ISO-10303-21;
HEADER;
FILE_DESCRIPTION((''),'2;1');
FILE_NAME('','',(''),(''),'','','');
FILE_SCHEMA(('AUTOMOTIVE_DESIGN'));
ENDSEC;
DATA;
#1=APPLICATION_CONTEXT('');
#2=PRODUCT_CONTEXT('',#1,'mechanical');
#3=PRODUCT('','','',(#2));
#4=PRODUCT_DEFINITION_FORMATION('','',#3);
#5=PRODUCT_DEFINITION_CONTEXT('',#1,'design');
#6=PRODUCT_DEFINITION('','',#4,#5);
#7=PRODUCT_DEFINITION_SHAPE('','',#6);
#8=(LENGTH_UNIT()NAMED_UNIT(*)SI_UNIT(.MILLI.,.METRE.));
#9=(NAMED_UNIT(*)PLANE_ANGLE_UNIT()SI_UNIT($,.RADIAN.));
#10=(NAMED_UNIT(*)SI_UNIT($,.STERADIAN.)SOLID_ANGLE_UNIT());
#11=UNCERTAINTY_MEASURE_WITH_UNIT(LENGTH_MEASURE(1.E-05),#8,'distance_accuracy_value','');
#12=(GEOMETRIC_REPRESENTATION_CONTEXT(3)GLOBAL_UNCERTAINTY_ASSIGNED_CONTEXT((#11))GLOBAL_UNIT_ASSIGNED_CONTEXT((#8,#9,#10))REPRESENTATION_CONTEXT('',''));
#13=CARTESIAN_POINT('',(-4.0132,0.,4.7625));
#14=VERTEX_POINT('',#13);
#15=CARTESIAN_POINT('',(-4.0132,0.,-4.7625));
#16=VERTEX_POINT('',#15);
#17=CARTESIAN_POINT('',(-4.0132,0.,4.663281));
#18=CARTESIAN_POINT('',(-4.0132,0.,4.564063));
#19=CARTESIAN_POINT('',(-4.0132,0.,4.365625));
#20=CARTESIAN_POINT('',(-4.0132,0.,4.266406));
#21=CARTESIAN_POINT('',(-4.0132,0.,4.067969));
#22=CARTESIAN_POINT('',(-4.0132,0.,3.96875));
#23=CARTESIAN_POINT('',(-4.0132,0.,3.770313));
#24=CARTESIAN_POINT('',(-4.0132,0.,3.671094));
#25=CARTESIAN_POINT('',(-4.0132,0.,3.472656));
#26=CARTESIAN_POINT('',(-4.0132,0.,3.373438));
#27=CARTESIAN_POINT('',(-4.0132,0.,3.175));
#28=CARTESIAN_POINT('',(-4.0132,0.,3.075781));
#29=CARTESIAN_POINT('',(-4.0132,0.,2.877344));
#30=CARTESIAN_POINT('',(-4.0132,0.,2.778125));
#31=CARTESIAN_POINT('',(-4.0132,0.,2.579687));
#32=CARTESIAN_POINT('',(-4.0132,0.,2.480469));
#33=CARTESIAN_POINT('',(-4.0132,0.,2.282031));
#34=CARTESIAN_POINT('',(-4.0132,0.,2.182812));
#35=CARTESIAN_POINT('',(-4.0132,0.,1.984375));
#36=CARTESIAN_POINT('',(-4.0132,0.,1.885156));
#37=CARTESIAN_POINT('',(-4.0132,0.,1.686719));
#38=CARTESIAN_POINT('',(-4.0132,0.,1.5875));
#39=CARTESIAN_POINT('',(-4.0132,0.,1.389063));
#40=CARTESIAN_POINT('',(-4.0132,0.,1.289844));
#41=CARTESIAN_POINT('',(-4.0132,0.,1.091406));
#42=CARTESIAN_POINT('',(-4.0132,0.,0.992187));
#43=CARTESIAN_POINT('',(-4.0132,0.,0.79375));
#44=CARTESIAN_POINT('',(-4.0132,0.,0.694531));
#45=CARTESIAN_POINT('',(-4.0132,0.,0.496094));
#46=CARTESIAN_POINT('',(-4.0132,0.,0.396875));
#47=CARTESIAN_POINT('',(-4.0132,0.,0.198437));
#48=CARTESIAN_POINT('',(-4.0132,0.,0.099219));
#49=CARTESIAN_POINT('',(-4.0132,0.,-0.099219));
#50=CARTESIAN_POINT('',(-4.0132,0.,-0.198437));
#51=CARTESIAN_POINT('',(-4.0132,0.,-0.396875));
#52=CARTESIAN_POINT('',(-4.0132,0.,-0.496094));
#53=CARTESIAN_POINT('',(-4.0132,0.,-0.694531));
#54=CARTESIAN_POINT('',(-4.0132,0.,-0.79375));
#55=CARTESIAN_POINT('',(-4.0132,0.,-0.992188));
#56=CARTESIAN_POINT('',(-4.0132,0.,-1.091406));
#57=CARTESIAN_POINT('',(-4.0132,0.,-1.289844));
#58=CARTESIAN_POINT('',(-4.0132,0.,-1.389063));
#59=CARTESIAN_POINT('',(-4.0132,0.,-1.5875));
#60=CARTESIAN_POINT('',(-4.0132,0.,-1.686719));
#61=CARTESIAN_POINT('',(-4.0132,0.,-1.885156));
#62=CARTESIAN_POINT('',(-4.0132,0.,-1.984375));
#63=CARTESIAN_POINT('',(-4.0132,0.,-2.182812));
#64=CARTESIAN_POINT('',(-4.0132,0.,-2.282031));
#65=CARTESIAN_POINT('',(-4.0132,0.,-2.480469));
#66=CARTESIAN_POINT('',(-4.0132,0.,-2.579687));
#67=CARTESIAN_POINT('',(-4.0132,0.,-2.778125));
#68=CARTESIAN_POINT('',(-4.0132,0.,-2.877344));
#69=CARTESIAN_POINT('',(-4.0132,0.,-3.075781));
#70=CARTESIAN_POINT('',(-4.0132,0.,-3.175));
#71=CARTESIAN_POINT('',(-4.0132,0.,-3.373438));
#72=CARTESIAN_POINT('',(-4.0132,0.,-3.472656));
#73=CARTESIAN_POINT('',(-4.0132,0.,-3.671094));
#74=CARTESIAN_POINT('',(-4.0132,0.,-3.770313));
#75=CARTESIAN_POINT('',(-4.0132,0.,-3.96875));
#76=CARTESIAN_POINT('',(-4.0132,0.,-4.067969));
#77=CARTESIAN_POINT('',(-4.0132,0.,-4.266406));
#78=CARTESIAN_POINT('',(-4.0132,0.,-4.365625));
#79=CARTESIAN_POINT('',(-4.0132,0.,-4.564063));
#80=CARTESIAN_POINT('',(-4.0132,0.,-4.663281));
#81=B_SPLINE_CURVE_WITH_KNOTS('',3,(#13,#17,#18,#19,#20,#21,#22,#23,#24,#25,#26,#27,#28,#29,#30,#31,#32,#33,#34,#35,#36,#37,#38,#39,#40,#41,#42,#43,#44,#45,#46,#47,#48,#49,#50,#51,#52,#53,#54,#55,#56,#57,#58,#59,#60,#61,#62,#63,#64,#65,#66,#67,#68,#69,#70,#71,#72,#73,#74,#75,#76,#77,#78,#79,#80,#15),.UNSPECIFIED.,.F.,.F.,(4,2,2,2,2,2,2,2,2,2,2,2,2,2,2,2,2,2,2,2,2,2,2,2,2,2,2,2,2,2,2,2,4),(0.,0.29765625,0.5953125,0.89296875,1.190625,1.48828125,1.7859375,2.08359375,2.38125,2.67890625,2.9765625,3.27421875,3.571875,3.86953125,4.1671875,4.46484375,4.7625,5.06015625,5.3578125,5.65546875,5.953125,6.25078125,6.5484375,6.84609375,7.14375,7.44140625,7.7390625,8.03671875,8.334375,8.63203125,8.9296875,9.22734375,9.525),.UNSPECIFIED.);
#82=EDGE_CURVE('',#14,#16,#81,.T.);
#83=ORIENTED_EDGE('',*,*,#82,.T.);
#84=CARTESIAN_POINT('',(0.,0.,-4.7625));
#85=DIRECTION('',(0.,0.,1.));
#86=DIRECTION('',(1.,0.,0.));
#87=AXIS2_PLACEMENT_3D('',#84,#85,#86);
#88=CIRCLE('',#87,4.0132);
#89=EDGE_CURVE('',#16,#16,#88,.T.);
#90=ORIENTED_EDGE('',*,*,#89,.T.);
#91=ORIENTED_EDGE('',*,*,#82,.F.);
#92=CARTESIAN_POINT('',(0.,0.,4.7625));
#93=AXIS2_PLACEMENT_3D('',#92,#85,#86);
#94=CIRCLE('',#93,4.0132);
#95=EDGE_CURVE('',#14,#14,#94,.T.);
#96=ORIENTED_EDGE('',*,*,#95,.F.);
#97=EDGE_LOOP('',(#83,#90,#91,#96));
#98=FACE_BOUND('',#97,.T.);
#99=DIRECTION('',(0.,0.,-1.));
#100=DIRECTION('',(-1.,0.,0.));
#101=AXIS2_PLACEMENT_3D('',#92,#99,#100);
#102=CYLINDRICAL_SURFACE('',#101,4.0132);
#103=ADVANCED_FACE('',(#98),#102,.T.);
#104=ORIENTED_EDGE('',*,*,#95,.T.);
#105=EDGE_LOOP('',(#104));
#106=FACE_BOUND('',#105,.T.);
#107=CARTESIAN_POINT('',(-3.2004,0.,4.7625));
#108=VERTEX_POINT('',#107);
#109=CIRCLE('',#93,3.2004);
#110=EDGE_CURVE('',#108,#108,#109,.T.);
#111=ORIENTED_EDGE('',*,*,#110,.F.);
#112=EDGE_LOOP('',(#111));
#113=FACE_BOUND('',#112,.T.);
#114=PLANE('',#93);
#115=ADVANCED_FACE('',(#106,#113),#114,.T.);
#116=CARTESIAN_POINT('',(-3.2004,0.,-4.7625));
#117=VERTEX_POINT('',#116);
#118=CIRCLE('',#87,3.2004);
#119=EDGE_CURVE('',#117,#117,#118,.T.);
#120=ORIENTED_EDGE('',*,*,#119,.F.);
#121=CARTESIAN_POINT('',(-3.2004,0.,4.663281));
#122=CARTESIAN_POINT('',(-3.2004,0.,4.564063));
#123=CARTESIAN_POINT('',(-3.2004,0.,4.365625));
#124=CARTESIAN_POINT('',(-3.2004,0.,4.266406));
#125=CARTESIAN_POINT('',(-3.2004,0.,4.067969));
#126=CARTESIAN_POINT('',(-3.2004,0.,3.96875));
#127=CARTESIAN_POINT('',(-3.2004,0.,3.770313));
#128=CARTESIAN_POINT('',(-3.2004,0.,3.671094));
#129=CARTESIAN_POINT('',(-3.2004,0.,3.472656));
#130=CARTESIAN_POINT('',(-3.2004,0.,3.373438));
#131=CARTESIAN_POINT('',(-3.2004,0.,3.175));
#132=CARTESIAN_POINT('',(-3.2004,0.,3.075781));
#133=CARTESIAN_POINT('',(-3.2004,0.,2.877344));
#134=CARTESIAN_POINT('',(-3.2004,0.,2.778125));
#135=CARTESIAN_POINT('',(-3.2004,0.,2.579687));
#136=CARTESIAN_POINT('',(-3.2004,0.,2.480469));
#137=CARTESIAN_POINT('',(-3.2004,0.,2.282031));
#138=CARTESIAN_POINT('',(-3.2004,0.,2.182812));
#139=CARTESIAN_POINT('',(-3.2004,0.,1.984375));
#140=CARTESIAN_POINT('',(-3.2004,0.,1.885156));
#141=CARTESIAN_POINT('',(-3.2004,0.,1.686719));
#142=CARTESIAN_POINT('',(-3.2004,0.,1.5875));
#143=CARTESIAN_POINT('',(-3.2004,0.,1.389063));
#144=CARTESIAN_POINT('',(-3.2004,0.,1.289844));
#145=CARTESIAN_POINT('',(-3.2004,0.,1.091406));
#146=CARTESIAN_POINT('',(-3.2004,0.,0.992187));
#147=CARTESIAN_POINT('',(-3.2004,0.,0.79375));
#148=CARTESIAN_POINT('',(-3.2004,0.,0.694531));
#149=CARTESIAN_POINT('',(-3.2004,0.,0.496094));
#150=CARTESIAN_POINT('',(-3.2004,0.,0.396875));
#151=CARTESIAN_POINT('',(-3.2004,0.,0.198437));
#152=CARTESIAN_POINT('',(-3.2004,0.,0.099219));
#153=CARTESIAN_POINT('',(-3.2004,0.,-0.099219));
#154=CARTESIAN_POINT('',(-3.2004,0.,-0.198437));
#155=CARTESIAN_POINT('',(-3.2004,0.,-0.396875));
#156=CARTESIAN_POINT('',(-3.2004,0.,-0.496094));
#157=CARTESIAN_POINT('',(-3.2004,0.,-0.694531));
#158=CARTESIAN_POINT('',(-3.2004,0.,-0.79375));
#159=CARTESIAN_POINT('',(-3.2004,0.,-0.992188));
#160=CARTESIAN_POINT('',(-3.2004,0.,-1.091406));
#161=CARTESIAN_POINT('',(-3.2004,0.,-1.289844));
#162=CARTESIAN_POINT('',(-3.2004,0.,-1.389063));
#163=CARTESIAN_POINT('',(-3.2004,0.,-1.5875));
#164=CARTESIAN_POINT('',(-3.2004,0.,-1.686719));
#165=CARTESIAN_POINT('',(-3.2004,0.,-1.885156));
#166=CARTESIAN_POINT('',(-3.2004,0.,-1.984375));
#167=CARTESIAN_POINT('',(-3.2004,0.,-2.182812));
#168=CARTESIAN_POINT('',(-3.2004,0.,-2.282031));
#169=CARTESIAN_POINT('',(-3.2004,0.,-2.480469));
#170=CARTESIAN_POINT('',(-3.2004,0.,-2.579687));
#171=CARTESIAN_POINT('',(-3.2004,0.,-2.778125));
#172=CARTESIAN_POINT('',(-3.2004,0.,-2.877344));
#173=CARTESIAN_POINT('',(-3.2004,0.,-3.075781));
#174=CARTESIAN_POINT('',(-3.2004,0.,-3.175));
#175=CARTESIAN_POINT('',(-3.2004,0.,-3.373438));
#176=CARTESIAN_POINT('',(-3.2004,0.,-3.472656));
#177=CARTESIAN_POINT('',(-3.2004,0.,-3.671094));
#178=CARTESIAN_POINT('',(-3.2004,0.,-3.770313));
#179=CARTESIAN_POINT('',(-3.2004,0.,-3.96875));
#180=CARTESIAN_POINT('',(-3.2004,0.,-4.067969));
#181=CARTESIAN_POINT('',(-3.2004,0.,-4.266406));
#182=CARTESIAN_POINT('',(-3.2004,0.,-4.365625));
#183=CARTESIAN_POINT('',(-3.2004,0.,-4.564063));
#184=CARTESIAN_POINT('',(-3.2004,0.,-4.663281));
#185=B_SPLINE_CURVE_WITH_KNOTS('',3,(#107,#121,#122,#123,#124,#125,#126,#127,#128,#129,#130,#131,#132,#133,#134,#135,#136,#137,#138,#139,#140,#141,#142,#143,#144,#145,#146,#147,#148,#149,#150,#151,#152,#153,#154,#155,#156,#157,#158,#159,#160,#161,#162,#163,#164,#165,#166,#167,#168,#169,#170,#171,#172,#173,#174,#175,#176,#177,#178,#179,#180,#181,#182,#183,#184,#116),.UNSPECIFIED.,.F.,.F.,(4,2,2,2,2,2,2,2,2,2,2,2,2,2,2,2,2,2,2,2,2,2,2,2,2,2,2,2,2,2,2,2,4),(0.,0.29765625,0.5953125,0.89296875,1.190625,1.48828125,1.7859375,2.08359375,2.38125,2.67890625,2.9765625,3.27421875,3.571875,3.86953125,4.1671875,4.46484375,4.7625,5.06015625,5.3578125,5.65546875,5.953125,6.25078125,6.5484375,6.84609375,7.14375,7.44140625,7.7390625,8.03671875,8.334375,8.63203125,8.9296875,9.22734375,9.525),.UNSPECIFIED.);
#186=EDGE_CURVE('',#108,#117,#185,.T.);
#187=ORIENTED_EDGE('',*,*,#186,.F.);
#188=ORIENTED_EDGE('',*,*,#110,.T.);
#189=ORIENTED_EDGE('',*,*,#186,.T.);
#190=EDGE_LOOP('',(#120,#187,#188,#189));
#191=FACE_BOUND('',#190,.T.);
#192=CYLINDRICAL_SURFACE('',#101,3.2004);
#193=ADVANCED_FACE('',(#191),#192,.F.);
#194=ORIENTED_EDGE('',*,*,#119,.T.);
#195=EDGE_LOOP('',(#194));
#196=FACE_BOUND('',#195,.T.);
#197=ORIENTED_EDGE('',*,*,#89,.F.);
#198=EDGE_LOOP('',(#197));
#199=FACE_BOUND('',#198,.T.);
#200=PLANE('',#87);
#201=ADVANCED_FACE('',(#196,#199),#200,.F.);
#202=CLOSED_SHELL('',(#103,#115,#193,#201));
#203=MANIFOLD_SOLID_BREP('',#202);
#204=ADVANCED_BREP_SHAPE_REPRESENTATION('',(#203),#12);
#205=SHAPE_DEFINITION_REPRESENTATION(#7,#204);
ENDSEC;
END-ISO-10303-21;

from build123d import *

# Parameters (mm, degrees)
SKETCH5_R           = 4.0132
SKETCH5_R_2         = 3.2004
BOSS_EXTRUDE1_DEPTH = 4.7625


with BuildPart() as part:
    # Sketch5 → Boss-Extrude1 (new, symmetric)
    with BuildSketch(Plane.XY):
        with Locations(Location((0, 0, 0), (0, 0, 180))):
            Circle(SKETCH5_R)
        with Locations(Location((0, 0, 0), (0, 0, 180))):
            Circle(SKETCH5_R_2, mode=Mode.SUBTRACT)
    extrude(amount=BOSS_EXTRUDE1_DEPTH, both=True)


solid = part.part
